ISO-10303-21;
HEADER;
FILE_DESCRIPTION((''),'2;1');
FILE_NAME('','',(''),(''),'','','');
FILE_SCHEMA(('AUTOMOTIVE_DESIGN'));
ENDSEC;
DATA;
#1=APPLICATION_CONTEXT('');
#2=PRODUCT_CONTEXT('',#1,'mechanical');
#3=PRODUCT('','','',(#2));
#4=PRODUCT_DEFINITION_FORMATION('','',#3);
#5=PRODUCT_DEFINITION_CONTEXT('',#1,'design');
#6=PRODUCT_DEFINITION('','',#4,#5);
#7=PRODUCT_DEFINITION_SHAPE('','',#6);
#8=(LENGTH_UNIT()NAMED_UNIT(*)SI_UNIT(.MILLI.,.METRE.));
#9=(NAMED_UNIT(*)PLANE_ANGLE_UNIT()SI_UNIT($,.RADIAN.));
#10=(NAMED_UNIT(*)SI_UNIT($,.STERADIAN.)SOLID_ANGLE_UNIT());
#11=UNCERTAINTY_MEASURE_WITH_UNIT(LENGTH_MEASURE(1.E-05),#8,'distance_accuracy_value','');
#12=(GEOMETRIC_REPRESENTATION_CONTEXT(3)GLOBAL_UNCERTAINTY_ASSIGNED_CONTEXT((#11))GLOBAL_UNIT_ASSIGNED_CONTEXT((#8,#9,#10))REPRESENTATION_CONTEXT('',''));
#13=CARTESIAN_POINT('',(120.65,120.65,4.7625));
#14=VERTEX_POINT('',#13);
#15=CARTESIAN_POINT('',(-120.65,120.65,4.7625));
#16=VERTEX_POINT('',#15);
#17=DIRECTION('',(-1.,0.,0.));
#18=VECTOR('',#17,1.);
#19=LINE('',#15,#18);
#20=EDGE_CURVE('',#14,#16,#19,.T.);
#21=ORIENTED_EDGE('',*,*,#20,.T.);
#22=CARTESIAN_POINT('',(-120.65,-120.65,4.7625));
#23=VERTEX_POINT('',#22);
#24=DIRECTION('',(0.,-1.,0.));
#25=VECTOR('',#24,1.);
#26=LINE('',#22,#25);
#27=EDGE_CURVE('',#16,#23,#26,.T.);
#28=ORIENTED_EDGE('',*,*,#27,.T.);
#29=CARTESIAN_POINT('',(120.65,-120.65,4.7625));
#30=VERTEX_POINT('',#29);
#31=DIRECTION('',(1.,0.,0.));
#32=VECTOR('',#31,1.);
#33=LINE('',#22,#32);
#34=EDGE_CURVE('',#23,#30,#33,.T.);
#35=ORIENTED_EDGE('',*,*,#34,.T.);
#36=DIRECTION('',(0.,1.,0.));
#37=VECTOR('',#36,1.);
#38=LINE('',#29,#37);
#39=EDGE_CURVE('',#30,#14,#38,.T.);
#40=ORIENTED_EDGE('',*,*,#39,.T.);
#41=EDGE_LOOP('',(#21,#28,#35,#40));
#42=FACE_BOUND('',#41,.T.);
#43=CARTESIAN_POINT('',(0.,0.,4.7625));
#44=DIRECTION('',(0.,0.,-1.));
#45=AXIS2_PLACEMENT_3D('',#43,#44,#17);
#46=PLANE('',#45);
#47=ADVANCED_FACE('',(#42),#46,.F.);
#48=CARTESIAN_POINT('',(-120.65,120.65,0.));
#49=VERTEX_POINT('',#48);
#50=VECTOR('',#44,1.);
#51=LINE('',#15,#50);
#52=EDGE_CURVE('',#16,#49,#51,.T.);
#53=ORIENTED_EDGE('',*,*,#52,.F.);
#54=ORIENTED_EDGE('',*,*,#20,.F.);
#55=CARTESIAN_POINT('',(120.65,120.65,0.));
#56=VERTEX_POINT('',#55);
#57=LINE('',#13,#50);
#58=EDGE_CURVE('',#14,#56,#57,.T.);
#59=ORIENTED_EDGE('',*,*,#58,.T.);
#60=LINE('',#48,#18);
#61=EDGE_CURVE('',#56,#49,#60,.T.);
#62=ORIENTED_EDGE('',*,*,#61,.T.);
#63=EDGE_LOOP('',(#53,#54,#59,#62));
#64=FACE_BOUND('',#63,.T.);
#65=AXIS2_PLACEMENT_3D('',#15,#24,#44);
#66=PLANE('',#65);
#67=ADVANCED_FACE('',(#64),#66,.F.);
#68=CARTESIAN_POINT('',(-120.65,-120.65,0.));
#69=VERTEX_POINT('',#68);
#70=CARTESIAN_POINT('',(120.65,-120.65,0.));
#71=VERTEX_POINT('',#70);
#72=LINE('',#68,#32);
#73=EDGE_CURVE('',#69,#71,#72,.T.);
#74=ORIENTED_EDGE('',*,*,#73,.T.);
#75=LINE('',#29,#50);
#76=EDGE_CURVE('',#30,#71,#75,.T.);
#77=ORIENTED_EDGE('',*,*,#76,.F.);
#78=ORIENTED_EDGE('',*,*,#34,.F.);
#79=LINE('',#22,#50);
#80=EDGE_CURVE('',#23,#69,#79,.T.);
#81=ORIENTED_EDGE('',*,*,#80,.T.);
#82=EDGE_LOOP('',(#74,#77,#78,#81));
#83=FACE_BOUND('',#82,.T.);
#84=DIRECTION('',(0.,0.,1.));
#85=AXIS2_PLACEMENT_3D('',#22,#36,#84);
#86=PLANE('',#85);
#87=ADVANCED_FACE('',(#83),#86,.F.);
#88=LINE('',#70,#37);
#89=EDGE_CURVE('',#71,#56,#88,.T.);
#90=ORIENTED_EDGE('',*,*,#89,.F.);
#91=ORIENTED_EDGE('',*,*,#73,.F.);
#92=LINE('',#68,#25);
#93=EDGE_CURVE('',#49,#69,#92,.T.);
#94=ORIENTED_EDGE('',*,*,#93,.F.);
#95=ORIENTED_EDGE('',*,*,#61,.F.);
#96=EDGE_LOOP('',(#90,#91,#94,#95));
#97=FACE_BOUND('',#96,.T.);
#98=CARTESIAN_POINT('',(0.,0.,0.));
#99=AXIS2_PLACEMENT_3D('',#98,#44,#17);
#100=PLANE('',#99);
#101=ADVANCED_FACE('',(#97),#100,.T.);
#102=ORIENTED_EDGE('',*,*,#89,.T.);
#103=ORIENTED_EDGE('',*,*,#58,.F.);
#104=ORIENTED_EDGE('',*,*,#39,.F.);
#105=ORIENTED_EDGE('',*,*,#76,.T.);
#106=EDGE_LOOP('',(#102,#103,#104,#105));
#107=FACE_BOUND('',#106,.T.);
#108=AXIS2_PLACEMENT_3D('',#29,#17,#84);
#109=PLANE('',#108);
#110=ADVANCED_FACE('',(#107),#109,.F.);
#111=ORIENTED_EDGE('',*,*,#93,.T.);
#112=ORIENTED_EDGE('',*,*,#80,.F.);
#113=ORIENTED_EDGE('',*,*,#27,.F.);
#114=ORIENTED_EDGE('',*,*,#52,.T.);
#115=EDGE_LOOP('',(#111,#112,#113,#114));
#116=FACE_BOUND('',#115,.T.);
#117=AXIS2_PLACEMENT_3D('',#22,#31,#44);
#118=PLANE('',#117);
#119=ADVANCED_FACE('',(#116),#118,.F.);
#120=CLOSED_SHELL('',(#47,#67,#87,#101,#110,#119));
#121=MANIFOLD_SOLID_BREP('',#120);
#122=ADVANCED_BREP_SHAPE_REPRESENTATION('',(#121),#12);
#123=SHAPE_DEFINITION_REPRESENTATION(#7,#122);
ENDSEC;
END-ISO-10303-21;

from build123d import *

# Parameters (mm, degrees)
SKETCH1_W           = 241.3
SKETCH1_H           = 241.3
BOSS_EXTRUDE1_DEPTH = 4.7625


with BuildPart() as part:
    # Sketch1 → Boss-Extrude1 (new body)
    with BuildSketch(Plane.XY):
        Rectangle(SKETCH1_W, SKETCH1_H)
    extrude(amount=BOSS_EXTRUDE1_DEPTH)


solid = part.part
